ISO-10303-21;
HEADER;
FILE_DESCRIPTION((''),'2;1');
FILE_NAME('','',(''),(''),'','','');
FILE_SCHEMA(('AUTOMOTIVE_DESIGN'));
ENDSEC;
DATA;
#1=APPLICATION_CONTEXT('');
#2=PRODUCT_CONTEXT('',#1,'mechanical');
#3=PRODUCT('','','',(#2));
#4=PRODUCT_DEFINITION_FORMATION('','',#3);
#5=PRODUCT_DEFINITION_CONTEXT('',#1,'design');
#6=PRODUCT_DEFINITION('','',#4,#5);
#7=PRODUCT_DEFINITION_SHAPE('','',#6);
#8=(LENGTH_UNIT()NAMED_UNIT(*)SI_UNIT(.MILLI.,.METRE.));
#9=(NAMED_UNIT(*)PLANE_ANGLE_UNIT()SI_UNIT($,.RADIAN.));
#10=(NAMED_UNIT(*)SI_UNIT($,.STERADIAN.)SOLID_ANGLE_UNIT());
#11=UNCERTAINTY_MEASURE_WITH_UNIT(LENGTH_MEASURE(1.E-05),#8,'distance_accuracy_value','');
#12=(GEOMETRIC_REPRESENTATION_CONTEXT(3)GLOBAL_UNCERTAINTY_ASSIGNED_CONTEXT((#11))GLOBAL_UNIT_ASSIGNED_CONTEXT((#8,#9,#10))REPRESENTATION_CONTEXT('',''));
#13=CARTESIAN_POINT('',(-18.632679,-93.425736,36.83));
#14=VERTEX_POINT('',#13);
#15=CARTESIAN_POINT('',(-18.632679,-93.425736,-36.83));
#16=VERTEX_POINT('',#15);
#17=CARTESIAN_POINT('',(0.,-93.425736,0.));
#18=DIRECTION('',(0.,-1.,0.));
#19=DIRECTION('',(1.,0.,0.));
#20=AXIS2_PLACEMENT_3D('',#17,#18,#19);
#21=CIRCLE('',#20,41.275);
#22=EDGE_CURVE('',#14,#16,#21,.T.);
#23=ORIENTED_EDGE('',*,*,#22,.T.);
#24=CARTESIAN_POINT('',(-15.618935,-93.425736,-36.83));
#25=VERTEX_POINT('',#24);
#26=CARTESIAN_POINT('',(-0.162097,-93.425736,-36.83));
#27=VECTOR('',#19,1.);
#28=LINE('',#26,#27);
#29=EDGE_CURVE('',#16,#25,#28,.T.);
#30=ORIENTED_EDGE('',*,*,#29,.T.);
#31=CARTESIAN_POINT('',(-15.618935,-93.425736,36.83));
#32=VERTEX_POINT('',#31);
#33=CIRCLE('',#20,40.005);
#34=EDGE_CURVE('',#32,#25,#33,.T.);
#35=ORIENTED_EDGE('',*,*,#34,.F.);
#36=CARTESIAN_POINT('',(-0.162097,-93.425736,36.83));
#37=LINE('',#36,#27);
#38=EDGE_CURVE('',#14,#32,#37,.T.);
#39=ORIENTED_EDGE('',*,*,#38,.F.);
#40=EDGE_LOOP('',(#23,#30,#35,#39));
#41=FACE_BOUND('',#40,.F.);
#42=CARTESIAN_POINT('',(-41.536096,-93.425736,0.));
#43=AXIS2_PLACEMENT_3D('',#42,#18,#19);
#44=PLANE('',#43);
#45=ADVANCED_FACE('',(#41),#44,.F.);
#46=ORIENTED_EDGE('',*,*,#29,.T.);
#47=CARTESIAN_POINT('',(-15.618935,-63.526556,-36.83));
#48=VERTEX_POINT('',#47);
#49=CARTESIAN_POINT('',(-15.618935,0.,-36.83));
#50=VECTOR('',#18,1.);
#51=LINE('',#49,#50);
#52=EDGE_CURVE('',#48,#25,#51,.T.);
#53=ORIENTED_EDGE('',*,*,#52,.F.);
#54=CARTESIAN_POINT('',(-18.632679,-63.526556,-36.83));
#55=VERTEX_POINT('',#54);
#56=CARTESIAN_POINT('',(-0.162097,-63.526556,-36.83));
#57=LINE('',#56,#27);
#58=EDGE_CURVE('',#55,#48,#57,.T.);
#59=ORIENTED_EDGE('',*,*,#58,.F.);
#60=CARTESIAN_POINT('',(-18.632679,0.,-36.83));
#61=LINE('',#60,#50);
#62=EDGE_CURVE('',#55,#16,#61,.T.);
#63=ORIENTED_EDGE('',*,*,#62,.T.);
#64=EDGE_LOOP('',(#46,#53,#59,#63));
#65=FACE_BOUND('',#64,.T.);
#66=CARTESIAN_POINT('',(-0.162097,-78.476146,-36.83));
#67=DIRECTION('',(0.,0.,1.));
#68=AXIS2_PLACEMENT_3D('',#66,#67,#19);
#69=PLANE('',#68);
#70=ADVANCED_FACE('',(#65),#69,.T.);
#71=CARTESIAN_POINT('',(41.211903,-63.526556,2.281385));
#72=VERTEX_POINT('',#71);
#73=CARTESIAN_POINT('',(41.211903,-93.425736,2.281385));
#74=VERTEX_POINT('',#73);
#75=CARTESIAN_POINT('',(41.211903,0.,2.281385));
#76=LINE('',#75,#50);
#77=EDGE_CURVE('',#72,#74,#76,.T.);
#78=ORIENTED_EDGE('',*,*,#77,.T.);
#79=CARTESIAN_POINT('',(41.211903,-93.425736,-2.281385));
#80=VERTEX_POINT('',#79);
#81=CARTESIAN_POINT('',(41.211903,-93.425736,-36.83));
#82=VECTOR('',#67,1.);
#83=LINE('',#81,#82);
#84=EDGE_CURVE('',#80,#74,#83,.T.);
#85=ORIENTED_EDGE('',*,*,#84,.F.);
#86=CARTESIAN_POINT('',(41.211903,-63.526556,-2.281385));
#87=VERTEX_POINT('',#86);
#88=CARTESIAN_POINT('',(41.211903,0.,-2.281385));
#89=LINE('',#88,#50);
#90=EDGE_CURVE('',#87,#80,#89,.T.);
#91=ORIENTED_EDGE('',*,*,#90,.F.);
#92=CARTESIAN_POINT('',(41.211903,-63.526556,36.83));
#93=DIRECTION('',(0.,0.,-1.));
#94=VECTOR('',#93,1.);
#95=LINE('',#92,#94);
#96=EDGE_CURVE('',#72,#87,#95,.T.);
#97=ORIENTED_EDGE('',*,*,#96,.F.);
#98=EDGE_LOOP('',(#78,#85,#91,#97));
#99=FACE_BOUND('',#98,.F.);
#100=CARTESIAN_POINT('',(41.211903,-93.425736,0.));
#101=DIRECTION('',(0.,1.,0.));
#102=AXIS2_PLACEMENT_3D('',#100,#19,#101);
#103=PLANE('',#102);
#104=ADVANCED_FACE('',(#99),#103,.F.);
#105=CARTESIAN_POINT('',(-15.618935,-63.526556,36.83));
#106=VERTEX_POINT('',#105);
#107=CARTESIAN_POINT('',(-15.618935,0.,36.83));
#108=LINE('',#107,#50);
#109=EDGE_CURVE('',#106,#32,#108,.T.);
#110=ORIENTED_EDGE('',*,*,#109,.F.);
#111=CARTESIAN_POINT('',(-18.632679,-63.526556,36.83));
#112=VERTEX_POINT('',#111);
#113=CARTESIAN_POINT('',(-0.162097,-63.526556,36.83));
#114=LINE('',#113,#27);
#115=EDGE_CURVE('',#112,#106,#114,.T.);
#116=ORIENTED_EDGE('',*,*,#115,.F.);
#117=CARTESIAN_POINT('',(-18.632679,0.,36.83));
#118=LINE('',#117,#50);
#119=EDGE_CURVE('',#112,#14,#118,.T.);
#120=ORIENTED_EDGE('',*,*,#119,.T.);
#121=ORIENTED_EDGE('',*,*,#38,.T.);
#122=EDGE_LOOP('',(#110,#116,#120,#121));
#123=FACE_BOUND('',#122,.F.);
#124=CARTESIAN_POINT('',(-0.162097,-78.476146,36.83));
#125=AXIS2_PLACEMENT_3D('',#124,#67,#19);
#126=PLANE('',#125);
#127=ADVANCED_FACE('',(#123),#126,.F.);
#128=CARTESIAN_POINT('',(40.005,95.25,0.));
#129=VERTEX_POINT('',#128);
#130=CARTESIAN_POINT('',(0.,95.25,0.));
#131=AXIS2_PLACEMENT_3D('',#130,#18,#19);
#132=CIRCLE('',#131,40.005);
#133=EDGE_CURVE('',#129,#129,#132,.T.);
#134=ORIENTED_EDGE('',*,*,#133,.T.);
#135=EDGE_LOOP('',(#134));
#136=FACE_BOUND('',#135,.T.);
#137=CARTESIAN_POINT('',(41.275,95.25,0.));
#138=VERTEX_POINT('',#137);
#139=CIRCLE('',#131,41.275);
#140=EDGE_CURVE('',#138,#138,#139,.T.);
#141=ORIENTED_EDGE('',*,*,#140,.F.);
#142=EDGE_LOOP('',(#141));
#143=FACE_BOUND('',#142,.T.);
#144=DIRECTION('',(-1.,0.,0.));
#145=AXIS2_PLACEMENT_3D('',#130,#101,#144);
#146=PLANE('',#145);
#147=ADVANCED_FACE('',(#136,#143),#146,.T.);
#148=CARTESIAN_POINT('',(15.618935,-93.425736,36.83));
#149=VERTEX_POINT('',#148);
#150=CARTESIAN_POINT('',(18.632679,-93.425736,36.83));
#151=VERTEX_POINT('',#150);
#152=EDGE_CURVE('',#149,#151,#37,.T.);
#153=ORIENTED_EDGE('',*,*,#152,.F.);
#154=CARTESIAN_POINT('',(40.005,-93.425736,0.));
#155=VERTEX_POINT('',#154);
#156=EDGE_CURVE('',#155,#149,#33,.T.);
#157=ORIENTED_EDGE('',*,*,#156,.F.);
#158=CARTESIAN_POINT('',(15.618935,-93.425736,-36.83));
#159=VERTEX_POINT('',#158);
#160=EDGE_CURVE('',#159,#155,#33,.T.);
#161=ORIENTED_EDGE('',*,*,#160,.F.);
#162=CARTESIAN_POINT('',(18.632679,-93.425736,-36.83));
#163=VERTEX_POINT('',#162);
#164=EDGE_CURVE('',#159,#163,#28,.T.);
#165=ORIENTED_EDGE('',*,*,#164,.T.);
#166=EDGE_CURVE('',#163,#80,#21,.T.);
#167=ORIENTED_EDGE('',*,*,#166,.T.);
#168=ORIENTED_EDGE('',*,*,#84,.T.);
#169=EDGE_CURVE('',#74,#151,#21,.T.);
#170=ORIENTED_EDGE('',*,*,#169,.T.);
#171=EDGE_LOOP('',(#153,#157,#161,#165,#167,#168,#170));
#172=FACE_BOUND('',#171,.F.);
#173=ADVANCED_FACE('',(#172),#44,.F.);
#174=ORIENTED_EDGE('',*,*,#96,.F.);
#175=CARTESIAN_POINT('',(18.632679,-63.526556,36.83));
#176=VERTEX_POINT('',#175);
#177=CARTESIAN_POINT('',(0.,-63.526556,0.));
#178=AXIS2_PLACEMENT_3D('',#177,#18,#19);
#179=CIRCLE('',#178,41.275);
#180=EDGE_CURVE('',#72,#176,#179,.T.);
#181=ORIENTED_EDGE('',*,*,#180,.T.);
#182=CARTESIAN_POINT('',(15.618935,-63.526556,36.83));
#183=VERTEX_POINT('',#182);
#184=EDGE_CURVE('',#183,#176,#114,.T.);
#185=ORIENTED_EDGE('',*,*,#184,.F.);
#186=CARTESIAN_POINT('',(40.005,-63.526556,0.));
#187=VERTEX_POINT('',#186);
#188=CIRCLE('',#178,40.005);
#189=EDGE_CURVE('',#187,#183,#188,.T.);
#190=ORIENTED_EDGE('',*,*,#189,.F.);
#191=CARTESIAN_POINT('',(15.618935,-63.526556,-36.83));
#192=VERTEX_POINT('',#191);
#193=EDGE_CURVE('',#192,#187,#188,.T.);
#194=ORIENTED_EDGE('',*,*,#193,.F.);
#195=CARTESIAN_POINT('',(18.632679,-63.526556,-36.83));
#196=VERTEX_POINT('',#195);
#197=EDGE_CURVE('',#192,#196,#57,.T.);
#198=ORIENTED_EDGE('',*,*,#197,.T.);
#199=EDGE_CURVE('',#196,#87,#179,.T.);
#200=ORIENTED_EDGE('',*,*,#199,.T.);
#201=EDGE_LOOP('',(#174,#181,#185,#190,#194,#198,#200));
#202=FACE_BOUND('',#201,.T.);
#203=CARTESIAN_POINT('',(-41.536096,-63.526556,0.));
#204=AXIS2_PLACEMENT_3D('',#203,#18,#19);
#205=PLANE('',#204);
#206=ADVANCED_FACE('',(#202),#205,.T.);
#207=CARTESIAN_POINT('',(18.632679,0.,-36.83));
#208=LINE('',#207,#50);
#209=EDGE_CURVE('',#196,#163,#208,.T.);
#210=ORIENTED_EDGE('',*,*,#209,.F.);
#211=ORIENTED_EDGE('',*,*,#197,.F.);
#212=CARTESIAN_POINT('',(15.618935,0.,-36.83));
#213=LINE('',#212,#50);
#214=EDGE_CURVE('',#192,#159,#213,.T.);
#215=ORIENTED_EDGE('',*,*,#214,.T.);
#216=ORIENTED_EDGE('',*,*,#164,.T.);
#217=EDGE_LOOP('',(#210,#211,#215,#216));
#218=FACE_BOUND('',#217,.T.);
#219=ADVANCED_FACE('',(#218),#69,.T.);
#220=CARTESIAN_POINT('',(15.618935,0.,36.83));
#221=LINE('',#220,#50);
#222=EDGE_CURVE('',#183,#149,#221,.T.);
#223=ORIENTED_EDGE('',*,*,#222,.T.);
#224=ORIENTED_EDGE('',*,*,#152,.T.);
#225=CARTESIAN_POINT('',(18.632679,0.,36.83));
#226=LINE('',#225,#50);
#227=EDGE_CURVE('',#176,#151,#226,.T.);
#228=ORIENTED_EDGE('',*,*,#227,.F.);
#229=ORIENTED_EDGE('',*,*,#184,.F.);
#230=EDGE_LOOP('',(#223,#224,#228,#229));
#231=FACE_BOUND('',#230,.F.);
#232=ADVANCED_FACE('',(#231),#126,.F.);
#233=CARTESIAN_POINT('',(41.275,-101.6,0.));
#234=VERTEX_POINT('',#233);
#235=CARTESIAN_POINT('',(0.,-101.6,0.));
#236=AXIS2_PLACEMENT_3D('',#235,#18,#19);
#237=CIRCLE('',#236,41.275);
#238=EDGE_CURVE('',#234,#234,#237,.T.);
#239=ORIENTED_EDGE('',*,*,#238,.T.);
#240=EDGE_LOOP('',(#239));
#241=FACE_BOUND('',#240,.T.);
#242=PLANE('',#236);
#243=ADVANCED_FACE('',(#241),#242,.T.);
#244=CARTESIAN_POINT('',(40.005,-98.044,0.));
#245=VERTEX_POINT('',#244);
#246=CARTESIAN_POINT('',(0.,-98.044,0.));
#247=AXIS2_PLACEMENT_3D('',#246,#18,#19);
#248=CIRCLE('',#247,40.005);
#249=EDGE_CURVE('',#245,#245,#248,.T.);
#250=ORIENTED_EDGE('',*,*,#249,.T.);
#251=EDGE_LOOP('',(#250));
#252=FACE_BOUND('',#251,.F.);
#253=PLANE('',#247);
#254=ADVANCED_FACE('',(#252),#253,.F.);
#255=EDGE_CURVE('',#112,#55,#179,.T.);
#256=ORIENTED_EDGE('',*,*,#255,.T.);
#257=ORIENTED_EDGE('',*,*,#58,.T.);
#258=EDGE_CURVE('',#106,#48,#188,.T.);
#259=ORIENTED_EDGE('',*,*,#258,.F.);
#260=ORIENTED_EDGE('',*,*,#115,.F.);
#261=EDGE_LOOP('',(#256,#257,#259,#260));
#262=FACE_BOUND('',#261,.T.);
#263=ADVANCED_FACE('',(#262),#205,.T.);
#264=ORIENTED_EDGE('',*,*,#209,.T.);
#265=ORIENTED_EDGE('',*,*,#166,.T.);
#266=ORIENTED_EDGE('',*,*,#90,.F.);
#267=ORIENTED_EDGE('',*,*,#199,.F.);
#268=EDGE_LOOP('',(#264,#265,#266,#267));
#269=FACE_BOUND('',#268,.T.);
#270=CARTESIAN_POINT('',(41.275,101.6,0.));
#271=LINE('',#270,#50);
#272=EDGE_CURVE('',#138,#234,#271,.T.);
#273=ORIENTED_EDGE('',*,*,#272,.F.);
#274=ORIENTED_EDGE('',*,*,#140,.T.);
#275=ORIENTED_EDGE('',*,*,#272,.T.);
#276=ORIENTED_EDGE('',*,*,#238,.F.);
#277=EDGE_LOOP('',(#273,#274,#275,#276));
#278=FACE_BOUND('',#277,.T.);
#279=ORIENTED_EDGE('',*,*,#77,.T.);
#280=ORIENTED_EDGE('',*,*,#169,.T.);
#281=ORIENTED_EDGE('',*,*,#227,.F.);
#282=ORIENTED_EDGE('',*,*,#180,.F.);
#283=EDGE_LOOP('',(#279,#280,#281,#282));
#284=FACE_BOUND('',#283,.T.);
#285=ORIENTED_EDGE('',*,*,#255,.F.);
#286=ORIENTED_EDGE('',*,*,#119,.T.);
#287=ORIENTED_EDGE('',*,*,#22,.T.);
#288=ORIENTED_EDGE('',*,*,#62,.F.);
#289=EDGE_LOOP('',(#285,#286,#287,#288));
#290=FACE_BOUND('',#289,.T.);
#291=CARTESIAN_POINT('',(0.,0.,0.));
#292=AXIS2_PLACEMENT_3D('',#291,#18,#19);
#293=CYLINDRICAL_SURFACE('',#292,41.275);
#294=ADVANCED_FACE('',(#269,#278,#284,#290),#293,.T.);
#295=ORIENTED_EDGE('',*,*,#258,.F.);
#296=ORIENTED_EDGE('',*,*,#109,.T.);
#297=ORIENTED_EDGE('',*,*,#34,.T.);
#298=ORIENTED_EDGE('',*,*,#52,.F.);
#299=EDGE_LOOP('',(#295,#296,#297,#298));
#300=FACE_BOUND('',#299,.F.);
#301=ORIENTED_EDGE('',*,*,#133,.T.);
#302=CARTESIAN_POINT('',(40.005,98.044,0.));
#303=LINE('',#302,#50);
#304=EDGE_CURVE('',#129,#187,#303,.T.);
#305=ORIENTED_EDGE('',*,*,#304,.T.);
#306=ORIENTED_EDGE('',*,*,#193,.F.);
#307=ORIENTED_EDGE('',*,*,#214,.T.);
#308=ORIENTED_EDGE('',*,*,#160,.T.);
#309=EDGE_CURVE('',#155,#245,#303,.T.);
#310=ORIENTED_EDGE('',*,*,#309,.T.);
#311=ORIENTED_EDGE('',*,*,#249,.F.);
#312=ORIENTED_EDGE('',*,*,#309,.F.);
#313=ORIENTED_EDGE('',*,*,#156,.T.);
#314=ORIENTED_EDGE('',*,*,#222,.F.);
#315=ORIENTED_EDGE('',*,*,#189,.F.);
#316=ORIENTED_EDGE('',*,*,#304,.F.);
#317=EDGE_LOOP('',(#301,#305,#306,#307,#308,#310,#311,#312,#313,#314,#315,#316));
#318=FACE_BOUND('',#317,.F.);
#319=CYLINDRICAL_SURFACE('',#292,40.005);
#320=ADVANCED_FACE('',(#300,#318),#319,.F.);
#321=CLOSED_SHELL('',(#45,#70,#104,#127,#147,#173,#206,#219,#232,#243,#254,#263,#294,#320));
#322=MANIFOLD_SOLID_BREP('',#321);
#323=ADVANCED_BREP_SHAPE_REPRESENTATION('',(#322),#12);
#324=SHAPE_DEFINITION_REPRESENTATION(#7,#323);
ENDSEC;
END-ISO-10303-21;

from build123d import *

# Parameters (mm, degrees)
F0_R     = 41.275
F1_DEPTH = 101.6
F2_W     = 82.747999
F2_H     = 29.89918
F3_DEPTH = 36.83
F4_R     = 40.005
F5_DEPTH = 98.044
F6_R     = 41.275
F7_DEPTH = 6.35


with BuildPart() as f1:
    # F0 (on Front) → F1 (new body, symmetric)
    with BuildSketch(Plane.XZ):
        Circle(F0_R)
    extrude(amount=F1_DEPTH, both=True)

    # F2 (on Top) → F3 (cut, symmetric)
    with BuildSketch(Plane.XY):
        with Locations((-0.162097, -78.476146)):
            Rectangle(F2_W, F2_H)
    extrude(amount=F3_DEPTH, both=True, mode=Mode.SUBTRACT)

    # F4 (on Front) → F5 (cut, symmetric)
    with BuildSketch(Plane.XZ):
        Circle(F4_R)
    extrude(amount=F5_DEPTH, both=True, mode=Mode.SUBTRACT)

    # F6 (on face) → F7 (cut, symmetric)
    with BuildSketch(Plane(origin=(0, 101.6, 0), x_dir=(-1, 0, 0), z_dir=(0, 1, 0))):
        Circle(F6_R)
    extrude(amount=F7_DEPTH, both=True, mode=Mode.SUBTRACT)


solid = f1.part
